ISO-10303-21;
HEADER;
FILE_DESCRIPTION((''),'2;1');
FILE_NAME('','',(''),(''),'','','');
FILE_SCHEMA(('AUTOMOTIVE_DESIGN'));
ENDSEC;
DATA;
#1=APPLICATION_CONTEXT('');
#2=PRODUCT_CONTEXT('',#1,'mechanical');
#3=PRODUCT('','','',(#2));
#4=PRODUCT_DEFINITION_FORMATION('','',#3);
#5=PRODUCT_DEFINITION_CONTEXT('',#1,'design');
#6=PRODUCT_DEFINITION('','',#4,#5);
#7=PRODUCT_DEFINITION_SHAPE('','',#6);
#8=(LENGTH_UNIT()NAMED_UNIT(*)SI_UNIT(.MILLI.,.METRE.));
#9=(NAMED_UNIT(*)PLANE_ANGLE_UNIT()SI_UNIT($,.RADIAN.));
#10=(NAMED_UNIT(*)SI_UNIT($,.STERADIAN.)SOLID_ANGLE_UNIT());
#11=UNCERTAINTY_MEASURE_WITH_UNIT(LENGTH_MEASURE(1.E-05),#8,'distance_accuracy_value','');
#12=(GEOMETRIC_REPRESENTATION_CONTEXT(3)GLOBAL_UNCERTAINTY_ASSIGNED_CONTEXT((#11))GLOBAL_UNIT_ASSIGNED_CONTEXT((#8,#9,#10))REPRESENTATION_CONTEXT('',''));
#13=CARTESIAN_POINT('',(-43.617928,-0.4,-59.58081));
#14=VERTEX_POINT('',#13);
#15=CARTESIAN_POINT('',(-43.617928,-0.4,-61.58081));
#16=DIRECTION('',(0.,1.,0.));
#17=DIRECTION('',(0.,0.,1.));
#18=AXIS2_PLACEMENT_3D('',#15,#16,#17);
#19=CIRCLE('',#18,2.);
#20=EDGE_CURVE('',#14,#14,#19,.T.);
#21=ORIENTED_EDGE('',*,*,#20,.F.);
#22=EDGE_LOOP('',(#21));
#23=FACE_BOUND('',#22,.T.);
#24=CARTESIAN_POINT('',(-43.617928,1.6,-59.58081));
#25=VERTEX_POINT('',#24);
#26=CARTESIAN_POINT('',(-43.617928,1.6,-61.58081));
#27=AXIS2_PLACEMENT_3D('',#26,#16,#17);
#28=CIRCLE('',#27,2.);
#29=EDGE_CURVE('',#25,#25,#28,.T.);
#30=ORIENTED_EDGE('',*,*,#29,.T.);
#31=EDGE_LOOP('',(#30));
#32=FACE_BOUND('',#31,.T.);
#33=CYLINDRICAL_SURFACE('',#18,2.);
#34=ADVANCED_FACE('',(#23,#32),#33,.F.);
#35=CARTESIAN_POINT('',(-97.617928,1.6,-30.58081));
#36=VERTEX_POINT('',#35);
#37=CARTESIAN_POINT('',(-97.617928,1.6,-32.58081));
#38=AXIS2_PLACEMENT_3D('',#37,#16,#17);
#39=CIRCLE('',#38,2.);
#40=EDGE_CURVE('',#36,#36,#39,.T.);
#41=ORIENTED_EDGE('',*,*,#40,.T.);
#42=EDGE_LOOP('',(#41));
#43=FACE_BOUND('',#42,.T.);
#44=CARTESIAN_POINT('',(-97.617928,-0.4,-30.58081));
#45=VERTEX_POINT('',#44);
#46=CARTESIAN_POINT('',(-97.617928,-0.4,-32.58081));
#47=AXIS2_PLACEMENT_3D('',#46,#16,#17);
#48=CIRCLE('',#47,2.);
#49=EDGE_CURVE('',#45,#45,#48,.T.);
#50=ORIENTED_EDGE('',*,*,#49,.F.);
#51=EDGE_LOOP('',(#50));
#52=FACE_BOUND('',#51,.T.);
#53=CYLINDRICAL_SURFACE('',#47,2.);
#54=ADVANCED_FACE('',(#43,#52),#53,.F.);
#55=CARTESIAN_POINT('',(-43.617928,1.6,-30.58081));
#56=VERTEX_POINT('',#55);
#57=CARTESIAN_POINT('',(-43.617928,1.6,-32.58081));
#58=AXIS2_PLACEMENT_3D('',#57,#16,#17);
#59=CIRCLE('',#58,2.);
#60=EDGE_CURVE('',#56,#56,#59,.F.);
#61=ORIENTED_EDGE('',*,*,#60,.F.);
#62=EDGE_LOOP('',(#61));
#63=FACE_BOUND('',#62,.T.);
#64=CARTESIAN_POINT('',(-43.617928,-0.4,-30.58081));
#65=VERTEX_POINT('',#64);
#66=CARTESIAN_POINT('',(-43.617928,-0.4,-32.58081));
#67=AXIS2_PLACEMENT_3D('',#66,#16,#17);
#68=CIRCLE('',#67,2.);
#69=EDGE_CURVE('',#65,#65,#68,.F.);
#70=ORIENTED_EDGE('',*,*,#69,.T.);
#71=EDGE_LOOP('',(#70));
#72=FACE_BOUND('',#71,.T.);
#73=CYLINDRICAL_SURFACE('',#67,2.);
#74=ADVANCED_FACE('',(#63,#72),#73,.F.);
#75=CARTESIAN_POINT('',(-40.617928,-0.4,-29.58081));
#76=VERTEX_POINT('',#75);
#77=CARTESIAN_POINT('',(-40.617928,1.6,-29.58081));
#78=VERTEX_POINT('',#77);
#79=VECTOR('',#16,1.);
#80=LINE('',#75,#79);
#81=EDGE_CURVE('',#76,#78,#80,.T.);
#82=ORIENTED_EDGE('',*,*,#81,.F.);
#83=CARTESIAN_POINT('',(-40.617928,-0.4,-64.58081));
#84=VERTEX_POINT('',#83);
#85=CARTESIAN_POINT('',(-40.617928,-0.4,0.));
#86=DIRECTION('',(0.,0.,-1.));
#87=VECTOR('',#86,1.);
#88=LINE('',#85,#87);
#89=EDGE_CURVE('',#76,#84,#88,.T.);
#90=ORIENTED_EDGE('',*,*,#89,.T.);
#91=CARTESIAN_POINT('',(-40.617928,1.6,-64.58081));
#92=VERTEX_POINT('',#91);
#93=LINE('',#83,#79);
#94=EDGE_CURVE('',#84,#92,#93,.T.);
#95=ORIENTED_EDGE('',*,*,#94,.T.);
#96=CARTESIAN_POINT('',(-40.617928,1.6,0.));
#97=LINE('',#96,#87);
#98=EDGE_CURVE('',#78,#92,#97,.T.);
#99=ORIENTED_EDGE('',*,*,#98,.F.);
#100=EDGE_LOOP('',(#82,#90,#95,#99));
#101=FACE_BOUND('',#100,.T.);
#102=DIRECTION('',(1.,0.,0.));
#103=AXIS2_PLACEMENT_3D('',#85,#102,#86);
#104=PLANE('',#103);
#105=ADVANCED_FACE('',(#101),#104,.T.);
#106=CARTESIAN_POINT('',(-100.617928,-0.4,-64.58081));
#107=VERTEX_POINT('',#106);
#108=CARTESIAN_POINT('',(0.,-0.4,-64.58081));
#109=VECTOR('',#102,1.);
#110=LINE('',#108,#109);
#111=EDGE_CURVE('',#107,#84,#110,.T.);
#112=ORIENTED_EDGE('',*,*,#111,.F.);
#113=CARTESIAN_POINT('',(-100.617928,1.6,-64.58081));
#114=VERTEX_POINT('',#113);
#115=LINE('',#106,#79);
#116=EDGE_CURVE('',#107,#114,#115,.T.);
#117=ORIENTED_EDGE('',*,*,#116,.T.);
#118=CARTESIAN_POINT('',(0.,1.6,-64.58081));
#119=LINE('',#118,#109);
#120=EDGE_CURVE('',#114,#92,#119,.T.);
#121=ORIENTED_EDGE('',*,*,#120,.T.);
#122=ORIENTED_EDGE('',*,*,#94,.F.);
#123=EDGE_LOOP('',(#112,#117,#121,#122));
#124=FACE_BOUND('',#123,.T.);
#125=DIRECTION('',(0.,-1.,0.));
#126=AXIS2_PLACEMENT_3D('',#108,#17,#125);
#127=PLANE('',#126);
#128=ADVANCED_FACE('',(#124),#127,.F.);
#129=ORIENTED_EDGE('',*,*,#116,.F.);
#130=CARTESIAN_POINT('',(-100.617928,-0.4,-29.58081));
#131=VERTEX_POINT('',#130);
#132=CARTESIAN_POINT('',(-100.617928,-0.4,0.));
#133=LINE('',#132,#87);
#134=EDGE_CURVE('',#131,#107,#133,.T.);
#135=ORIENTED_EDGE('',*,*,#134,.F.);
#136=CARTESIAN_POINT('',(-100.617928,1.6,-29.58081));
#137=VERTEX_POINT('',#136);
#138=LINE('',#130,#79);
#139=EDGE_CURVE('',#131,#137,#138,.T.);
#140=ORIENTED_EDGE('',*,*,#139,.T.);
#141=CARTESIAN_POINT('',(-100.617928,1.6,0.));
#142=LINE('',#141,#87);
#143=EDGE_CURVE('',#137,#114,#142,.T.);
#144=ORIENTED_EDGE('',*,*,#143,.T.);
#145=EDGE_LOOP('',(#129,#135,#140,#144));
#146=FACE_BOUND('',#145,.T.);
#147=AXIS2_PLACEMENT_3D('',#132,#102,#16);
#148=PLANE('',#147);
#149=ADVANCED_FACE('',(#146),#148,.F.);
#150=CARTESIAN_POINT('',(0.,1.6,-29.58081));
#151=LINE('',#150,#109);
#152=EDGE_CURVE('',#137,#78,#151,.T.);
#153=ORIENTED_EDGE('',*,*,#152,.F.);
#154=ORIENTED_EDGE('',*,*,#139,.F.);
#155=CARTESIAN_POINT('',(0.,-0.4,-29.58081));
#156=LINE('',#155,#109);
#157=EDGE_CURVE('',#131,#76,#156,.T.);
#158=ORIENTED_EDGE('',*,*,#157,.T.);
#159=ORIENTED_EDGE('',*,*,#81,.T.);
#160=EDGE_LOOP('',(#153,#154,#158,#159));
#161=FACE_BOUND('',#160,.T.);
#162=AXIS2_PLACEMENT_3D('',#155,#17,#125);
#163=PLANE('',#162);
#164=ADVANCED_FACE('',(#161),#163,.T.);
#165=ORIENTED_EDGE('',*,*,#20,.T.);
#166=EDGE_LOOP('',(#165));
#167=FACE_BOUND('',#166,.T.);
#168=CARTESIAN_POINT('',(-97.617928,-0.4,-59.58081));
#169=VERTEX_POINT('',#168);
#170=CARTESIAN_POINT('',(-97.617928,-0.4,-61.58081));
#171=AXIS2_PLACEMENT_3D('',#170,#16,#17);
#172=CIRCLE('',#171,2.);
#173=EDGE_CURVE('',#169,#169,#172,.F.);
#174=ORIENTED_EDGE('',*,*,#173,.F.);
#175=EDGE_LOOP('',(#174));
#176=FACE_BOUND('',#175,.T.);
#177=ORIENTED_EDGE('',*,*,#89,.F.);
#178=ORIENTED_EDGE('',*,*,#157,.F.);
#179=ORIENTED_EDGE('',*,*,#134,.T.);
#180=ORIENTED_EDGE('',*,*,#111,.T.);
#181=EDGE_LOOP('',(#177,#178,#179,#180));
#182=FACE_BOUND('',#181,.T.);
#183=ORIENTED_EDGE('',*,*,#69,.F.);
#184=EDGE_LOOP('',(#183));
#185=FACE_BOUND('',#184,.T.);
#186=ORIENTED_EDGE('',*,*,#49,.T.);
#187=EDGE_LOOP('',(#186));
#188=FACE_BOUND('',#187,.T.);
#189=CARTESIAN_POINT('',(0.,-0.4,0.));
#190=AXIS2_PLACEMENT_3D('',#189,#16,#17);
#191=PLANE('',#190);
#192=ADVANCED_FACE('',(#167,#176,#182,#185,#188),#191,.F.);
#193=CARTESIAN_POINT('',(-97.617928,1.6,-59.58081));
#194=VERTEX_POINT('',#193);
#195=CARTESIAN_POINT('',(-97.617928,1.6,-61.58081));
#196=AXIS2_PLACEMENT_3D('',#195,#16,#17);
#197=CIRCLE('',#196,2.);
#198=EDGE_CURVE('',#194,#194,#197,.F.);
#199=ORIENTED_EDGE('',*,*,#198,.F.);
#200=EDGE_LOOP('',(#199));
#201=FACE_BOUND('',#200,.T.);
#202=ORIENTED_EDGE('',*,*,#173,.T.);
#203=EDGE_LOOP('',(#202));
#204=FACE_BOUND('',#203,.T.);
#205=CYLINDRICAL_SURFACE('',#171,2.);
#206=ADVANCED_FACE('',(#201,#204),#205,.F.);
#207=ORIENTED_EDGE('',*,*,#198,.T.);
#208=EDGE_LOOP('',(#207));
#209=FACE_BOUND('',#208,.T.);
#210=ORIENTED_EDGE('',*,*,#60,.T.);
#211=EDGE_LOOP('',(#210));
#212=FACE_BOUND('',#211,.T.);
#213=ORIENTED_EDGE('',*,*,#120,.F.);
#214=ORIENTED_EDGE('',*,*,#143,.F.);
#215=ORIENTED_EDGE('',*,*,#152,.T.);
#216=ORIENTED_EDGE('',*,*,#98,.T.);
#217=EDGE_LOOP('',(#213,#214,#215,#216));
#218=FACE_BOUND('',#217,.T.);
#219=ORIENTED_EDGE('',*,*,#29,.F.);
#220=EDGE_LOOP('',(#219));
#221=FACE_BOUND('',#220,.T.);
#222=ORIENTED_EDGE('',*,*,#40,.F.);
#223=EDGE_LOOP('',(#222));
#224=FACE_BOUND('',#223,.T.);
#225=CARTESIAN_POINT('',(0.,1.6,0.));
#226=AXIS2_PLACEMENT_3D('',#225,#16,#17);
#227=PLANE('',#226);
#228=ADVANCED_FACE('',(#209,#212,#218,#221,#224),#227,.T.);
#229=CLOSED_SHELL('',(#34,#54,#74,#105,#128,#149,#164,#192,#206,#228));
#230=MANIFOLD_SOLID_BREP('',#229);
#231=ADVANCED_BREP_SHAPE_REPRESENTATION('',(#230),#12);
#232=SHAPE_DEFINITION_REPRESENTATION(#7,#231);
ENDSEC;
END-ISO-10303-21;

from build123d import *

# Parameters (mm, degrees)
SKETCH1_W           = 60
SKETCH1_H           = 35
SKETCH1_R           = 2
BOSS_EXTRUDE1_DEPTH = 2


with BuildPart() as part:
    # Sketch1 → Boss-Extrude1 (new body)
    with BuildSketch(Plane(origin=(0, 1.6, 0), x_dir=(1, 0, 0), z_dir=(0, 1, 0))):
        with Locations((-70.617927732, 47.080809747)):
            Rectangle(SKETCH1_W, SKETCH1_H)
        with Locations(Location((-43.617927732, 61.580809747, 0), (0, 0, 270))):
            Circle(SKETCH1_R, mode=Mode.SUBTRACT)
        with Locations(Location((-43.617927732, 32.580809747, 0), (0, 0, 270))):
            Circle(SKETCH1_R, mode=Mode.SUBTRACT)
        with Locations(Location((-97.617927732, 32.580809747, 0), (0, 0, 270))):
            Circle(SKETCH1_R, mode=Mode.SUBTRACT)
        with Locations(Location((-97.617927732, 61.580809747, 0), (0, 0, 270))):
            Circle(SKETCH1_R, mode=Mode.SUBTRACT)
    extrude(amount=-BOSS_EXTRUDE1_DEPTH)


solid = part.part
